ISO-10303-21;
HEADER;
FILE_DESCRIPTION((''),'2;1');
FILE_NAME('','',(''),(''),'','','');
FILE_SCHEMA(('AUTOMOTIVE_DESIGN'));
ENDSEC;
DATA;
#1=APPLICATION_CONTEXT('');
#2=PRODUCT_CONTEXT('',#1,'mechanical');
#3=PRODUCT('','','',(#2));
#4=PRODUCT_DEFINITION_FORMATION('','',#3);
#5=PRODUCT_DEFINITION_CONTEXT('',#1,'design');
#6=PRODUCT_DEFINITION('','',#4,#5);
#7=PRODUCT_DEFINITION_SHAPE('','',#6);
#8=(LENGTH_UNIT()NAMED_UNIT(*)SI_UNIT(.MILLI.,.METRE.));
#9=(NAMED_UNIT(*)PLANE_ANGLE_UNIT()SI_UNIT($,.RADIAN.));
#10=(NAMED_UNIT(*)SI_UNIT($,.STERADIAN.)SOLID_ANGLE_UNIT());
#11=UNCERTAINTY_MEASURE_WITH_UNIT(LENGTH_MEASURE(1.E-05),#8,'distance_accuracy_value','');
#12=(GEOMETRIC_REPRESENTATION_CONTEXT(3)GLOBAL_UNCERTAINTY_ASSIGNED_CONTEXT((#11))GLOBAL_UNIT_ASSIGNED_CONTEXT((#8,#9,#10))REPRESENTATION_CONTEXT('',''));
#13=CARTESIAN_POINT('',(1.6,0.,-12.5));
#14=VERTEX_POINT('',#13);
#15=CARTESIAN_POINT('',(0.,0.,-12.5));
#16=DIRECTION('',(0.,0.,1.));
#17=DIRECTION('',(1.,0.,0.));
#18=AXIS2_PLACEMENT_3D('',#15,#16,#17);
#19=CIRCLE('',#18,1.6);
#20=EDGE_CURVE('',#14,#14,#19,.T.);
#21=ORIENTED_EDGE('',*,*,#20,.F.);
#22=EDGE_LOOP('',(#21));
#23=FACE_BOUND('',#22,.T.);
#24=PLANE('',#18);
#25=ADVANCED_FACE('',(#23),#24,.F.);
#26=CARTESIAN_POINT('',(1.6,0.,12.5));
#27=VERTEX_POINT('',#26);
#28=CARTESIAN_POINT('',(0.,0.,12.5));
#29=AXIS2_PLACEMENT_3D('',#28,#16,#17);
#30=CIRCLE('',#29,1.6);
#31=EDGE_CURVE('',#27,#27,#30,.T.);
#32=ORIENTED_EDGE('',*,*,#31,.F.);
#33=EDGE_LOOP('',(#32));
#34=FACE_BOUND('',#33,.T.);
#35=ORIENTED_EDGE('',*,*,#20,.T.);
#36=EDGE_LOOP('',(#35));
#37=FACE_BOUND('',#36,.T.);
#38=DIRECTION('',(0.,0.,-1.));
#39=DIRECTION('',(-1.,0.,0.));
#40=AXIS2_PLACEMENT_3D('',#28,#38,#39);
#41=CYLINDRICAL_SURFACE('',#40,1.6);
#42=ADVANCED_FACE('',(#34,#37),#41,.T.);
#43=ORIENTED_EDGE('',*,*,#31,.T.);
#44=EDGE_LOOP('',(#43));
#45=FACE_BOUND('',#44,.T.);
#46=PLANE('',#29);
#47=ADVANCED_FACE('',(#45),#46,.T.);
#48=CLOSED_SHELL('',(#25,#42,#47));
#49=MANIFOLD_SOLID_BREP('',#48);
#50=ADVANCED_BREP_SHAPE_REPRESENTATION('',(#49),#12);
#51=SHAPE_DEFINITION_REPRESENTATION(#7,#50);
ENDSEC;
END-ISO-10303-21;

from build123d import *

# Parameters (mm, degrees)
SKETCH1_R           = 1.6
BOSS_EXTRUDE1_DEPTH = 12.5


with BuildPart() as part:
    # Sketch1 → Boss-Extrude1 (new body, symmetric)
    with BuildSketch(Plane.XY):
        Circle(SKETCH1_R)
    extrude(amount=BOSS_EXTRUDE1_DEPTH, both=True)


solid = part.part
